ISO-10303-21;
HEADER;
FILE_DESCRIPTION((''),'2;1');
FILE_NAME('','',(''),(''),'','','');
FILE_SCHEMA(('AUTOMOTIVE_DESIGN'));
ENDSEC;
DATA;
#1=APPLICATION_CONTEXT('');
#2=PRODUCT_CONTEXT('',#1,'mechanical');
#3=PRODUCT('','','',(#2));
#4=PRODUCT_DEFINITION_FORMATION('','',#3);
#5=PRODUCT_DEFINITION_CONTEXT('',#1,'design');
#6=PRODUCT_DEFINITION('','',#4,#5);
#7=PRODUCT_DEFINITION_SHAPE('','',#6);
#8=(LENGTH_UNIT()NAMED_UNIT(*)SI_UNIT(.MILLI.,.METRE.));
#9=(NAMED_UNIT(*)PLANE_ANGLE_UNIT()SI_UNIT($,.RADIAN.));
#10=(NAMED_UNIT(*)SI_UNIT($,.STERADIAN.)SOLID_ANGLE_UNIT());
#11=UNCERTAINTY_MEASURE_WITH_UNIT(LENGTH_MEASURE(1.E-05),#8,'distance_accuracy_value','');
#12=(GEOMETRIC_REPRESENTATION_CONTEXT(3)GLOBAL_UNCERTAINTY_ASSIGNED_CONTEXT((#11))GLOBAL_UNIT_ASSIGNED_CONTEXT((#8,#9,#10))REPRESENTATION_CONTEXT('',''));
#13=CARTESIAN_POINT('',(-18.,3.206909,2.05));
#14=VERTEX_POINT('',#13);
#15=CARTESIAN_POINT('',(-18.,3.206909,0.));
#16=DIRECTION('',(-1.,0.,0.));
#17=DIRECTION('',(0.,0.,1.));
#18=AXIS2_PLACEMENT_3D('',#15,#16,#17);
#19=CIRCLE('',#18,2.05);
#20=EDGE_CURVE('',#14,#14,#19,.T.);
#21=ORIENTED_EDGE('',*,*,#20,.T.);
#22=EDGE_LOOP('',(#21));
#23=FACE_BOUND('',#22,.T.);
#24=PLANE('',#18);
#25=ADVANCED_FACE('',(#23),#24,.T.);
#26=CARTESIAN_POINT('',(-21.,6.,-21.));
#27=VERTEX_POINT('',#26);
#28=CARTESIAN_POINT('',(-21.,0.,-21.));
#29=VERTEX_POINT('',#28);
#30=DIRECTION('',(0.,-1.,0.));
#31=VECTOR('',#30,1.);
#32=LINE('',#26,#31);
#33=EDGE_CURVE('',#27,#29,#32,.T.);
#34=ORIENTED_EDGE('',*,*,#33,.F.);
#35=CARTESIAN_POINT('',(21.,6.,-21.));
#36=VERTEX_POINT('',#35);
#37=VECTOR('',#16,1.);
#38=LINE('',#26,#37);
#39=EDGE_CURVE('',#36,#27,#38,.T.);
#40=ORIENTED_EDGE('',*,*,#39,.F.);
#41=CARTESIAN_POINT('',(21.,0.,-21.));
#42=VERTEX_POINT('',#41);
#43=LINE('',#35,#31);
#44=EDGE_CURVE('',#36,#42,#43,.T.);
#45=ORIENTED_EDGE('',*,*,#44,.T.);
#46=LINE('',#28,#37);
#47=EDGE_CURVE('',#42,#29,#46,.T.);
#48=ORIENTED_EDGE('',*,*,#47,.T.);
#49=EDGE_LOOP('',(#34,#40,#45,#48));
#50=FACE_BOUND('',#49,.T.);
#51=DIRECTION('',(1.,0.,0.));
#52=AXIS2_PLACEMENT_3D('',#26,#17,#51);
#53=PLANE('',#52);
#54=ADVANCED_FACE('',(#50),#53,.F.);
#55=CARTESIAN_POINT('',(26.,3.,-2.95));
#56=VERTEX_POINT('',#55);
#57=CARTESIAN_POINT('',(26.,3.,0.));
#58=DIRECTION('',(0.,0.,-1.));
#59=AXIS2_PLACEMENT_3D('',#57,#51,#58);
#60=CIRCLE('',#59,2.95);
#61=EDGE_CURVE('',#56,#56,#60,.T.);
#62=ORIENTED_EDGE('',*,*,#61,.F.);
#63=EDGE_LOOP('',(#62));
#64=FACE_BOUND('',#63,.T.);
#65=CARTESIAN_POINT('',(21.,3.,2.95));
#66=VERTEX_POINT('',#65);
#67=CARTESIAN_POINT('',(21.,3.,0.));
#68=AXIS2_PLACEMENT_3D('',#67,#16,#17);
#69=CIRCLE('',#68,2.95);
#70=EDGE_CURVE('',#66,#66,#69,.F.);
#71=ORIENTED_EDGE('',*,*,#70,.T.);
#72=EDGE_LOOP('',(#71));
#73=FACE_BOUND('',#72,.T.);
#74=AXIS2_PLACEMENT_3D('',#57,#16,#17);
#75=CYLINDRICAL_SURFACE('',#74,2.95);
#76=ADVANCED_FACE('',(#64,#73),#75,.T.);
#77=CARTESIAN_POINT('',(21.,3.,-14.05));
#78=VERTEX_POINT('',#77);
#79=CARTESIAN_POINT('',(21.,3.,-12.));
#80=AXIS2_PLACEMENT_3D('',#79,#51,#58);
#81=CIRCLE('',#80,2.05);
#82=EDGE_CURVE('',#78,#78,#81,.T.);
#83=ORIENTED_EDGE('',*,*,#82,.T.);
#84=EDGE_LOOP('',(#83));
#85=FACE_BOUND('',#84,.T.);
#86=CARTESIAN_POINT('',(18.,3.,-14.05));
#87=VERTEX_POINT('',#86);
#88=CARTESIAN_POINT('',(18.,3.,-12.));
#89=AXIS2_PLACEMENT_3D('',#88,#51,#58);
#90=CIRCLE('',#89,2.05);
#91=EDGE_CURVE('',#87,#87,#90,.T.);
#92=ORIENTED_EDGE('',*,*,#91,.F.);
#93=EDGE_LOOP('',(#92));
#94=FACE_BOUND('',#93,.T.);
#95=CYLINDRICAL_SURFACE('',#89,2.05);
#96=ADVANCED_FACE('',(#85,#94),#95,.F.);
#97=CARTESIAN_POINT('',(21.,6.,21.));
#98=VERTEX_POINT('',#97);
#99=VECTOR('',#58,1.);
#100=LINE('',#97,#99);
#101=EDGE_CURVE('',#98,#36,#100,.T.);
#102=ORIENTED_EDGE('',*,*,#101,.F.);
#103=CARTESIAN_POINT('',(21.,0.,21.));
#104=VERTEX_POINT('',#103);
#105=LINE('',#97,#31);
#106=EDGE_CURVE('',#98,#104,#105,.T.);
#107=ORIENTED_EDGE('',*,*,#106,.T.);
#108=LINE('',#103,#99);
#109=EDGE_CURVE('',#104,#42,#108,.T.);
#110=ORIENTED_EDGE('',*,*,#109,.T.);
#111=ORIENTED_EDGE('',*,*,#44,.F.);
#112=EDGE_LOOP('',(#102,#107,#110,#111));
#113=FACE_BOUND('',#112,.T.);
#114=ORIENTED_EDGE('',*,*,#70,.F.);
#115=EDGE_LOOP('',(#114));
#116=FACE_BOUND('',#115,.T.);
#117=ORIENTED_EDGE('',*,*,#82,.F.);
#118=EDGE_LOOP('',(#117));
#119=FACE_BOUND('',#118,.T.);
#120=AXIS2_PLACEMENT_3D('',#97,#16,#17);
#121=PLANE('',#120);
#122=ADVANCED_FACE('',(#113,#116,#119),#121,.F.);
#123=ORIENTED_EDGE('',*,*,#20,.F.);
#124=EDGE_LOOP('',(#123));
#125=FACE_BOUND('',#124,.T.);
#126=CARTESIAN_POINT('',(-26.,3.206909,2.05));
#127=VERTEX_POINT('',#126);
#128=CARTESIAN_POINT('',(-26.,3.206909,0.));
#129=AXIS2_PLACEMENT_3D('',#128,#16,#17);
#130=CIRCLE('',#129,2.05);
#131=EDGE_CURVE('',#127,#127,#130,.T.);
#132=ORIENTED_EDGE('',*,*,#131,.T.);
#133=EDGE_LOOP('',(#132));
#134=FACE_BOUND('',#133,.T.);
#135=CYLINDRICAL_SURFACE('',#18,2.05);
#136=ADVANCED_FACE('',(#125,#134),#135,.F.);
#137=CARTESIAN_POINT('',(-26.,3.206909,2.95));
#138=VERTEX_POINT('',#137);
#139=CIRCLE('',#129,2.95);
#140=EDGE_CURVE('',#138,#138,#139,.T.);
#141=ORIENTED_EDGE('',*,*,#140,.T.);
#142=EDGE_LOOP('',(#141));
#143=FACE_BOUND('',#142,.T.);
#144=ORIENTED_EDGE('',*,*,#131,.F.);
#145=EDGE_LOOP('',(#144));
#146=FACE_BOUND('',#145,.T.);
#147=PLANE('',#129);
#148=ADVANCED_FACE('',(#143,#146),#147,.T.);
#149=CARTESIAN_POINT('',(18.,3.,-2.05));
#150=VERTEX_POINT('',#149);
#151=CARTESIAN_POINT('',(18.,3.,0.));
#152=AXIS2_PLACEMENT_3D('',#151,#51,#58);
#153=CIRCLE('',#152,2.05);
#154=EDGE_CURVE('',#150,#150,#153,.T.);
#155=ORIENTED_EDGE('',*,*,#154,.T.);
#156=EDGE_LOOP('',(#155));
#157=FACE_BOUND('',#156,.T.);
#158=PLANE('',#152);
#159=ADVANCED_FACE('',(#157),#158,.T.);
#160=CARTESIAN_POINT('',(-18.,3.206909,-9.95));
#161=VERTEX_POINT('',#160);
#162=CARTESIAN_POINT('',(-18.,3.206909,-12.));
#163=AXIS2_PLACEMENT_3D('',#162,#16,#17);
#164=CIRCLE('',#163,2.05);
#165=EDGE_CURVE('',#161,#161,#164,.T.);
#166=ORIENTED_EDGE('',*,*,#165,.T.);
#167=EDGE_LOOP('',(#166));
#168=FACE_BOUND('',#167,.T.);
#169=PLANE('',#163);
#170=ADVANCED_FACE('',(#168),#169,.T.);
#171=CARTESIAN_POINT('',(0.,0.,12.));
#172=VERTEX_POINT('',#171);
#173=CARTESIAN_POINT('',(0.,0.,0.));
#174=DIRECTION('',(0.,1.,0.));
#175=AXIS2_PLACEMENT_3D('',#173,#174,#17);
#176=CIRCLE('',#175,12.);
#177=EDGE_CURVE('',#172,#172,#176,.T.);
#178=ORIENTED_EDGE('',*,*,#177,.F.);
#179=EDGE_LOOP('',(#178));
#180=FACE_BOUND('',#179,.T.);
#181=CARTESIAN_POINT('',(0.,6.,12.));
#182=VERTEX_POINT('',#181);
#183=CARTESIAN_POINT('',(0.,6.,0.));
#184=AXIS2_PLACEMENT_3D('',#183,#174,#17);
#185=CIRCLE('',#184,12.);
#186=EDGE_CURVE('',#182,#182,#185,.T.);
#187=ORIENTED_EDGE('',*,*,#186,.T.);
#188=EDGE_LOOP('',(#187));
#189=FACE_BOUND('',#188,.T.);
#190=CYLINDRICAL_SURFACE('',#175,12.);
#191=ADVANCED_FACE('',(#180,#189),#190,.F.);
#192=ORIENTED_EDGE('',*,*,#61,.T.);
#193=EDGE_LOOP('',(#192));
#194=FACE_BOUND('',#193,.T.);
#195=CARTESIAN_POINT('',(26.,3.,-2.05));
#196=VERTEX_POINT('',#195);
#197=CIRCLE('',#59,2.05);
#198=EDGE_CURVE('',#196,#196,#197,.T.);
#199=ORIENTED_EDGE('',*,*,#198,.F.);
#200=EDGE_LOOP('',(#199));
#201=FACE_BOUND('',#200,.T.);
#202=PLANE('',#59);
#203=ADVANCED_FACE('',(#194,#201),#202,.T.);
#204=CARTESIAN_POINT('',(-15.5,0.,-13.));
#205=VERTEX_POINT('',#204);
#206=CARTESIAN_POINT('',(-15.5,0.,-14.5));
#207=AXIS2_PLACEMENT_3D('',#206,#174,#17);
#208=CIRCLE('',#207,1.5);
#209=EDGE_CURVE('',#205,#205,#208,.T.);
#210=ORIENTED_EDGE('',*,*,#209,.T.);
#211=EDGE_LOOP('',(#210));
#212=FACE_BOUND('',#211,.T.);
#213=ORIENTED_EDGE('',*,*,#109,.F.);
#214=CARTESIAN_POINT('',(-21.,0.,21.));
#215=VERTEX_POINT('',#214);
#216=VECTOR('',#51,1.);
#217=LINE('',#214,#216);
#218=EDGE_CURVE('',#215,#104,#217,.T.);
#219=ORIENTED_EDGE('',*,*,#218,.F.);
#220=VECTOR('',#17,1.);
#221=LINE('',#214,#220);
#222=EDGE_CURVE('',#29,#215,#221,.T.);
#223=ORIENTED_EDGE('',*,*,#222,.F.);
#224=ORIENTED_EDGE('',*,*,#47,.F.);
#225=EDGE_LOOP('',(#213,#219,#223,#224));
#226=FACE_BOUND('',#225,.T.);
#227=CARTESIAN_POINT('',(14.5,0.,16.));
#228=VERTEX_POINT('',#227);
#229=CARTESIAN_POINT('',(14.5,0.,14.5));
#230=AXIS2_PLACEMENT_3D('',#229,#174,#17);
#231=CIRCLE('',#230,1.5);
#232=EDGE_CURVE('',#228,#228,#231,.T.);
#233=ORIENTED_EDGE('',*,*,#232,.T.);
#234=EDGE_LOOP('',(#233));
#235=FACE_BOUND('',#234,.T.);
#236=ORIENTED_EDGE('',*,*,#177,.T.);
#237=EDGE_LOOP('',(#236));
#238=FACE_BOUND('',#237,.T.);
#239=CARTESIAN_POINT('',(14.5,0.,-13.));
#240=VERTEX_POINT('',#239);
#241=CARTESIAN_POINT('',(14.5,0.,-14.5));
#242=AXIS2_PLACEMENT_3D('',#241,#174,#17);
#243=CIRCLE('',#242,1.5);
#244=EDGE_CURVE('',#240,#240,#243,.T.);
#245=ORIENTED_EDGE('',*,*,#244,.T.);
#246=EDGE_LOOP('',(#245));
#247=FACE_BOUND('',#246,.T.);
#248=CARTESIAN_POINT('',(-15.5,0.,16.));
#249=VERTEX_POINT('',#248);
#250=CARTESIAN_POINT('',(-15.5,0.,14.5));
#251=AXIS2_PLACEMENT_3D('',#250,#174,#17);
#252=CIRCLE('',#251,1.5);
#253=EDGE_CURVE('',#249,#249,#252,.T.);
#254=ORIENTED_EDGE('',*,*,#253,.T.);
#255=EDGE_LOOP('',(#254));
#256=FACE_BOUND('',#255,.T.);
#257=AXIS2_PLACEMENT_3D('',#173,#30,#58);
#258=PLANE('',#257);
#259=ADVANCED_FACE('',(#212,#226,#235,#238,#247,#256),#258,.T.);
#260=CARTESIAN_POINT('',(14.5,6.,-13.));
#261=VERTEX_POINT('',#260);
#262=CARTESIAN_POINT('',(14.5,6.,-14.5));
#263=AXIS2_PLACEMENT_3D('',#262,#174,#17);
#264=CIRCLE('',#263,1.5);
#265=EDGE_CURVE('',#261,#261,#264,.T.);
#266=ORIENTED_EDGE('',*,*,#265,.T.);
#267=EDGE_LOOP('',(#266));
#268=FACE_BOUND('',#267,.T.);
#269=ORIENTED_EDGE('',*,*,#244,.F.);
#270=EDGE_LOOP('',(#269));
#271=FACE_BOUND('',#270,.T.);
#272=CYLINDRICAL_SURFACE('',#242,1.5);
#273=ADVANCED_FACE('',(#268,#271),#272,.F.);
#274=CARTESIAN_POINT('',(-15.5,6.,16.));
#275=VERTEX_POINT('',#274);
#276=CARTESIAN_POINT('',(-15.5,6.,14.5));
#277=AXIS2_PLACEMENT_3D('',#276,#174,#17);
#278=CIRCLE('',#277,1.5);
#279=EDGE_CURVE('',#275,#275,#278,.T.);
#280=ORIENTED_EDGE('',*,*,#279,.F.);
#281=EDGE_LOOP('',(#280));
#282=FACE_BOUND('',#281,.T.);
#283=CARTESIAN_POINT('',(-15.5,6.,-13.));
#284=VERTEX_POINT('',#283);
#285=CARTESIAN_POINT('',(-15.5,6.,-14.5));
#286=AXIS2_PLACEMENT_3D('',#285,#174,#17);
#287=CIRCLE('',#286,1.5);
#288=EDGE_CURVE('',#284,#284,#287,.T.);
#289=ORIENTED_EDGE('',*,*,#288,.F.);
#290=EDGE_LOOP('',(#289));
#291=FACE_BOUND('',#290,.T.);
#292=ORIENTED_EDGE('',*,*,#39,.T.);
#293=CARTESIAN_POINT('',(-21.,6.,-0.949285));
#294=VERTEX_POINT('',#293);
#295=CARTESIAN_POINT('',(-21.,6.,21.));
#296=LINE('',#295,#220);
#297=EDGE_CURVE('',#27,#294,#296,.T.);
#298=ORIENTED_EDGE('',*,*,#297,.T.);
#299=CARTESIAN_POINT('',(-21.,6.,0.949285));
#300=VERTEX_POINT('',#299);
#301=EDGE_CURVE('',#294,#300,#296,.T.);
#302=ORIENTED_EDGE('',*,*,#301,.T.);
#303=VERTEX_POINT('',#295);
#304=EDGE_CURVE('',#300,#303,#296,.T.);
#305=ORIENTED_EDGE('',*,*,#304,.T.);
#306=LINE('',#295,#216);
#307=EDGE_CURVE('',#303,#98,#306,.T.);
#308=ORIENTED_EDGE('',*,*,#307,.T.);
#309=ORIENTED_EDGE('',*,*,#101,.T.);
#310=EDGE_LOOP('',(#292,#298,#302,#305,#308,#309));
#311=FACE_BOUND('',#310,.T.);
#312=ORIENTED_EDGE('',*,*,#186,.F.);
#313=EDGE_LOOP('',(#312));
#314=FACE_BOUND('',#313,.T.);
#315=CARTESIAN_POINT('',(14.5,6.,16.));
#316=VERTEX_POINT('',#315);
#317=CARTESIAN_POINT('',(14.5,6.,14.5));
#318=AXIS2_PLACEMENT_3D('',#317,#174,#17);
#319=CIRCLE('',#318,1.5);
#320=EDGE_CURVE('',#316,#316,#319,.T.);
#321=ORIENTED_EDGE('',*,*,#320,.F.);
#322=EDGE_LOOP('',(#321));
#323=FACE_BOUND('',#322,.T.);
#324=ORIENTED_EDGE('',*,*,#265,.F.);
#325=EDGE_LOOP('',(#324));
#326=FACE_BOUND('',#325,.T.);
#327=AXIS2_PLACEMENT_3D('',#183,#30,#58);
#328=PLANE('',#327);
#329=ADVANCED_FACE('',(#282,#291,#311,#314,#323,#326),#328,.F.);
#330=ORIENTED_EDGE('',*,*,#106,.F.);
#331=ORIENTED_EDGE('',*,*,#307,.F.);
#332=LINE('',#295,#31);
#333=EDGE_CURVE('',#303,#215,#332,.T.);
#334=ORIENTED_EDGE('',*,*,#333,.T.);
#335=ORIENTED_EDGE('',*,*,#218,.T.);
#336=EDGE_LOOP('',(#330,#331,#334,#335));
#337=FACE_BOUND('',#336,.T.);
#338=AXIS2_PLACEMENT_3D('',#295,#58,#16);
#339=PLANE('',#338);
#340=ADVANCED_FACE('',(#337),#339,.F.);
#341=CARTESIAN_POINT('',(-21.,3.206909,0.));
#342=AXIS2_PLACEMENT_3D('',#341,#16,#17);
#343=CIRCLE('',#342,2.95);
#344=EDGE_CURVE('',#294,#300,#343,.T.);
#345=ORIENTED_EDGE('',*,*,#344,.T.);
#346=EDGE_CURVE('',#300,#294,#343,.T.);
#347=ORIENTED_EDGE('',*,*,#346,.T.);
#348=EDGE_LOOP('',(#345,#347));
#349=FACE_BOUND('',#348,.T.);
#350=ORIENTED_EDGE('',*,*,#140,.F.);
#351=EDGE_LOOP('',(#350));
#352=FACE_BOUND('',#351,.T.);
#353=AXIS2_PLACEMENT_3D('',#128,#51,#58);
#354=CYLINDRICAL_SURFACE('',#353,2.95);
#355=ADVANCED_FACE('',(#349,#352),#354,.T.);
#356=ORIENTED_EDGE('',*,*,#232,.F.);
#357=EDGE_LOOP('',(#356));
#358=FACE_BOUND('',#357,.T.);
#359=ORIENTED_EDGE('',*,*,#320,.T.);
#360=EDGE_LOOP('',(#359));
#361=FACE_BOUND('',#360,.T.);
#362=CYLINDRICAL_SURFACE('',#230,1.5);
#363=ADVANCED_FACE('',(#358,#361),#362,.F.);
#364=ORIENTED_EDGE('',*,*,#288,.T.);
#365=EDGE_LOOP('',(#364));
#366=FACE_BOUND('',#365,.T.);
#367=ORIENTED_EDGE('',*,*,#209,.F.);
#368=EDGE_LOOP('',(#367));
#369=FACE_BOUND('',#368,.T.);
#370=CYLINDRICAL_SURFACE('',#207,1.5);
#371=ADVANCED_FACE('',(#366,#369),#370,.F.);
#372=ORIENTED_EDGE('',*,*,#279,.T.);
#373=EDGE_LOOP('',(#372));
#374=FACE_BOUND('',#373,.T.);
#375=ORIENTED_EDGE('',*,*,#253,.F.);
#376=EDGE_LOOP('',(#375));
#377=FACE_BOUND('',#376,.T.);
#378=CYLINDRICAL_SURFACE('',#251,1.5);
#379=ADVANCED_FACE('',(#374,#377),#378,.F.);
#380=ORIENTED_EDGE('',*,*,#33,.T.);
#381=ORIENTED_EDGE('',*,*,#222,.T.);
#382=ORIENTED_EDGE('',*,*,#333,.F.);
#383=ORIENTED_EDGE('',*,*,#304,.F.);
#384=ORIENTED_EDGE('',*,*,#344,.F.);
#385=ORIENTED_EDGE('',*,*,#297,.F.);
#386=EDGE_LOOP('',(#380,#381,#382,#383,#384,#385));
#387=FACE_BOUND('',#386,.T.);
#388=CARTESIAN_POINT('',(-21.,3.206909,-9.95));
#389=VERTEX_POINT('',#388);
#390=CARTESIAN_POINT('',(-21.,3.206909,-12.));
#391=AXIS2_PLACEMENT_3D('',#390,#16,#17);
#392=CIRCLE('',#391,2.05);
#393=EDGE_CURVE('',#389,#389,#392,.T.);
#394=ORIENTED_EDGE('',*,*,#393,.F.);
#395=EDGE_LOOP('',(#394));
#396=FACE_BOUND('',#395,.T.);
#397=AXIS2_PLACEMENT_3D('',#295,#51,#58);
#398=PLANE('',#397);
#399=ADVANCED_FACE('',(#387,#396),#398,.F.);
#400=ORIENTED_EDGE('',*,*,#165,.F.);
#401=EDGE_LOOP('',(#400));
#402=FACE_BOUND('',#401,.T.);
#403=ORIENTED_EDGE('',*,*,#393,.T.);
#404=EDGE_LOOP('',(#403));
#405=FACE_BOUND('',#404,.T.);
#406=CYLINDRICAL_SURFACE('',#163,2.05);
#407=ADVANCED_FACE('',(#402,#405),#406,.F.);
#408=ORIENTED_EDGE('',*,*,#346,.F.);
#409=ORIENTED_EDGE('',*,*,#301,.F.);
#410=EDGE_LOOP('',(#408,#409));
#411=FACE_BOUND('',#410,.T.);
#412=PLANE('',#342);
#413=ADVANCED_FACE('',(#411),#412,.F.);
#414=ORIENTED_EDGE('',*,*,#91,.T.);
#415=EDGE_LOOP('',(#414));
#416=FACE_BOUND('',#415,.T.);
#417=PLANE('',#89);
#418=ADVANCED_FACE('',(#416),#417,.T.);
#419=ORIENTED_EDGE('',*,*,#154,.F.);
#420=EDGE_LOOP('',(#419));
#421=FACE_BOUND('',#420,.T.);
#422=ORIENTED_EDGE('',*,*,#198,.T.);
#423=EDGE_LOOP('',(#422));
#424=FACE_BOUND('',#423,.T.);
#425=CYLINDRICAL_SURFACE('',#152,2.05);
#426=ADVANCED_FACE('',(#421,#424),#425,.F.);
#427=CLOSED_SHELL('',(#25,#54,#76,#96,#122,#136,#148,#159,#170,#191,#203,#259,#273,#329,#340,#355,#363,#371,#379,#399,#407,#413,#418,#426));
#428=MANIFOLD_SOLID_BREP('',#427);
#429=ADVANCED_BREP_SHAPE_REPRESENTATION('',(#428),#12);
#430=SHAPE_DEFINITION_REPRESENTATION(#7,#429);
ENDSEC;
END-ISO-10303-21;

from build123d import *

# Parameters (mm, degrees)
CROQUIS1_W              = 42
CROQUIS1_H              = 42
SALIENTE_EXTRUIR1_DEPTH = 6
CROQUIS2_R              = 1.5
CROQUIS2_R_2            = 12
CORTAR_EXTRUIR2_DEPTH   = 6
CROQUIS4_R              = 2.05
CORTAR_EXTRUIR3_DEPTH   = 3
CROQUIS5_R              = 2.05
CORTAR_EXTRUIR4_DEPTH   = 3
SALIENTE_EXTRUIR2_START = 5
CROQUIS6_R              = 2.95
CROQUIS6_R_2            = 2.05
SALIENTE_EXTRUIR2_DEPTH = 5
SALIENTE_EXTRUIR3_START = 5
CROQUIS7_R              = 2.95
CROQUIS7_R_2            = 2.05
SALIENTE_EXTRUIR3_DEPTH = 5


with BuildPart() as part:
    # Croquis1 → Saliente-Extruir1 (new body)
    with BuildSketch(Plane(origin=(0, 0, 0), x_dir=(1, 0, 0), z_dir=(0, 1, 0))):
        Rectangle(CROQUIS1_W, CROQUIS1_H)
    extrude(amount=SALIENTE_EXTRUIR1_DEPTH)

    # Croquis2 → Cortar-Extruir2 (cut)
    with BuildSketch(Plane(origin=(0, 6, 0), x_dir=(1, 0, 0), z_dir=(0, 1, 0))):
        with Locations(Location((-15.5, -14.5, 0), (0, 0, 270))):
            Circle(CROQUIS2_R)
        with Locations(Location((14.5, -14.5, 0), (0, 0, 270))):
            Circle(CROQUIS2_R)
        with Locations(Location((14.5, 14.5, 0), (0, 0, 270))):
            Circle(CROQUIS2_R)
        with Locations(Location((-15.5, 14.5, 0), (0, 0, 270))):
            Circle(CROQUIS2_R)
        with Locations(Location((0, 0, 0), (0, 0, 270))):
            Circle(CROQUIS2_R_2)
    extrude(amount=-CORTAR_EXTRUIR2_DEPTH, mode=Mode.SUBTRACT)

    # Croquis4 → Cortar-Extruir3 (cut)
    with BuildSketch(Plane(origin=(21, 0, 0), x_dir=(0, 0, -1), z_dir=(1, 0, 0))):
        with Locations((12, 3)):
            Circle(CROQUIS4_R)
        with Locations((0, 3)):
            Circle(CROQUIS4_R)
    extrude(amount=-CORTAR_EXTRUIR3_DEPTH, mode=Mode.SUBTRACT)

    # Croquis5 → Cortar-Extruir4 (cut)
    with BuildSketch(Plane.ZY.offset(21)):
        with Locations((-12, 3.206908841)):
            Circle(CROQUIS5_R)
        with Locations((0, 3.206908841)):
            Circle(CROQUIS5_R)
    extrude(amount=-CORTAR_EXTRUIR4_DEPTH, mode=Mode.SUBTRACT)

    # Croquis6 → Saliente-Extruir2 (add)
    with BuildSketch(Plane(origin=(21, 0, 0), x_dir=(0, 0, -1), z_dir=(1, 0, 0)).offset(SALIENTE_EXTRUIR2_START)):
        with Locations(Location((0, 3, 0), (0, 0, 180))):
            Circle(CROQUIS6_R)
        with Locations((0, 3)):
            Circle(CROQUIS6_R_2, mode=Mode.SUBTRACT)
    extrude(amount=-SALIENTE_EXTRUIR2_DEPTH)

    # Croquis7 → Saliente-Extruir3 (add)
    with BuildSketch(Plane.ZY.offset(21).offset(SALIENTE_EXTRUIR3_START)):
        with Locations(Location((0, 3.206908841, 0), (0, 0, 108.771300902))):
            Circle(CROQUIS7_R)
        with Locations((0, 3.206908841)):
            Circle(CROQUIS7_R_2, mode=Mode.SUBTRACT)
    extrude(amount=-SALIENTE_EXTRUIR3_DEPTH)


solid = part.part
